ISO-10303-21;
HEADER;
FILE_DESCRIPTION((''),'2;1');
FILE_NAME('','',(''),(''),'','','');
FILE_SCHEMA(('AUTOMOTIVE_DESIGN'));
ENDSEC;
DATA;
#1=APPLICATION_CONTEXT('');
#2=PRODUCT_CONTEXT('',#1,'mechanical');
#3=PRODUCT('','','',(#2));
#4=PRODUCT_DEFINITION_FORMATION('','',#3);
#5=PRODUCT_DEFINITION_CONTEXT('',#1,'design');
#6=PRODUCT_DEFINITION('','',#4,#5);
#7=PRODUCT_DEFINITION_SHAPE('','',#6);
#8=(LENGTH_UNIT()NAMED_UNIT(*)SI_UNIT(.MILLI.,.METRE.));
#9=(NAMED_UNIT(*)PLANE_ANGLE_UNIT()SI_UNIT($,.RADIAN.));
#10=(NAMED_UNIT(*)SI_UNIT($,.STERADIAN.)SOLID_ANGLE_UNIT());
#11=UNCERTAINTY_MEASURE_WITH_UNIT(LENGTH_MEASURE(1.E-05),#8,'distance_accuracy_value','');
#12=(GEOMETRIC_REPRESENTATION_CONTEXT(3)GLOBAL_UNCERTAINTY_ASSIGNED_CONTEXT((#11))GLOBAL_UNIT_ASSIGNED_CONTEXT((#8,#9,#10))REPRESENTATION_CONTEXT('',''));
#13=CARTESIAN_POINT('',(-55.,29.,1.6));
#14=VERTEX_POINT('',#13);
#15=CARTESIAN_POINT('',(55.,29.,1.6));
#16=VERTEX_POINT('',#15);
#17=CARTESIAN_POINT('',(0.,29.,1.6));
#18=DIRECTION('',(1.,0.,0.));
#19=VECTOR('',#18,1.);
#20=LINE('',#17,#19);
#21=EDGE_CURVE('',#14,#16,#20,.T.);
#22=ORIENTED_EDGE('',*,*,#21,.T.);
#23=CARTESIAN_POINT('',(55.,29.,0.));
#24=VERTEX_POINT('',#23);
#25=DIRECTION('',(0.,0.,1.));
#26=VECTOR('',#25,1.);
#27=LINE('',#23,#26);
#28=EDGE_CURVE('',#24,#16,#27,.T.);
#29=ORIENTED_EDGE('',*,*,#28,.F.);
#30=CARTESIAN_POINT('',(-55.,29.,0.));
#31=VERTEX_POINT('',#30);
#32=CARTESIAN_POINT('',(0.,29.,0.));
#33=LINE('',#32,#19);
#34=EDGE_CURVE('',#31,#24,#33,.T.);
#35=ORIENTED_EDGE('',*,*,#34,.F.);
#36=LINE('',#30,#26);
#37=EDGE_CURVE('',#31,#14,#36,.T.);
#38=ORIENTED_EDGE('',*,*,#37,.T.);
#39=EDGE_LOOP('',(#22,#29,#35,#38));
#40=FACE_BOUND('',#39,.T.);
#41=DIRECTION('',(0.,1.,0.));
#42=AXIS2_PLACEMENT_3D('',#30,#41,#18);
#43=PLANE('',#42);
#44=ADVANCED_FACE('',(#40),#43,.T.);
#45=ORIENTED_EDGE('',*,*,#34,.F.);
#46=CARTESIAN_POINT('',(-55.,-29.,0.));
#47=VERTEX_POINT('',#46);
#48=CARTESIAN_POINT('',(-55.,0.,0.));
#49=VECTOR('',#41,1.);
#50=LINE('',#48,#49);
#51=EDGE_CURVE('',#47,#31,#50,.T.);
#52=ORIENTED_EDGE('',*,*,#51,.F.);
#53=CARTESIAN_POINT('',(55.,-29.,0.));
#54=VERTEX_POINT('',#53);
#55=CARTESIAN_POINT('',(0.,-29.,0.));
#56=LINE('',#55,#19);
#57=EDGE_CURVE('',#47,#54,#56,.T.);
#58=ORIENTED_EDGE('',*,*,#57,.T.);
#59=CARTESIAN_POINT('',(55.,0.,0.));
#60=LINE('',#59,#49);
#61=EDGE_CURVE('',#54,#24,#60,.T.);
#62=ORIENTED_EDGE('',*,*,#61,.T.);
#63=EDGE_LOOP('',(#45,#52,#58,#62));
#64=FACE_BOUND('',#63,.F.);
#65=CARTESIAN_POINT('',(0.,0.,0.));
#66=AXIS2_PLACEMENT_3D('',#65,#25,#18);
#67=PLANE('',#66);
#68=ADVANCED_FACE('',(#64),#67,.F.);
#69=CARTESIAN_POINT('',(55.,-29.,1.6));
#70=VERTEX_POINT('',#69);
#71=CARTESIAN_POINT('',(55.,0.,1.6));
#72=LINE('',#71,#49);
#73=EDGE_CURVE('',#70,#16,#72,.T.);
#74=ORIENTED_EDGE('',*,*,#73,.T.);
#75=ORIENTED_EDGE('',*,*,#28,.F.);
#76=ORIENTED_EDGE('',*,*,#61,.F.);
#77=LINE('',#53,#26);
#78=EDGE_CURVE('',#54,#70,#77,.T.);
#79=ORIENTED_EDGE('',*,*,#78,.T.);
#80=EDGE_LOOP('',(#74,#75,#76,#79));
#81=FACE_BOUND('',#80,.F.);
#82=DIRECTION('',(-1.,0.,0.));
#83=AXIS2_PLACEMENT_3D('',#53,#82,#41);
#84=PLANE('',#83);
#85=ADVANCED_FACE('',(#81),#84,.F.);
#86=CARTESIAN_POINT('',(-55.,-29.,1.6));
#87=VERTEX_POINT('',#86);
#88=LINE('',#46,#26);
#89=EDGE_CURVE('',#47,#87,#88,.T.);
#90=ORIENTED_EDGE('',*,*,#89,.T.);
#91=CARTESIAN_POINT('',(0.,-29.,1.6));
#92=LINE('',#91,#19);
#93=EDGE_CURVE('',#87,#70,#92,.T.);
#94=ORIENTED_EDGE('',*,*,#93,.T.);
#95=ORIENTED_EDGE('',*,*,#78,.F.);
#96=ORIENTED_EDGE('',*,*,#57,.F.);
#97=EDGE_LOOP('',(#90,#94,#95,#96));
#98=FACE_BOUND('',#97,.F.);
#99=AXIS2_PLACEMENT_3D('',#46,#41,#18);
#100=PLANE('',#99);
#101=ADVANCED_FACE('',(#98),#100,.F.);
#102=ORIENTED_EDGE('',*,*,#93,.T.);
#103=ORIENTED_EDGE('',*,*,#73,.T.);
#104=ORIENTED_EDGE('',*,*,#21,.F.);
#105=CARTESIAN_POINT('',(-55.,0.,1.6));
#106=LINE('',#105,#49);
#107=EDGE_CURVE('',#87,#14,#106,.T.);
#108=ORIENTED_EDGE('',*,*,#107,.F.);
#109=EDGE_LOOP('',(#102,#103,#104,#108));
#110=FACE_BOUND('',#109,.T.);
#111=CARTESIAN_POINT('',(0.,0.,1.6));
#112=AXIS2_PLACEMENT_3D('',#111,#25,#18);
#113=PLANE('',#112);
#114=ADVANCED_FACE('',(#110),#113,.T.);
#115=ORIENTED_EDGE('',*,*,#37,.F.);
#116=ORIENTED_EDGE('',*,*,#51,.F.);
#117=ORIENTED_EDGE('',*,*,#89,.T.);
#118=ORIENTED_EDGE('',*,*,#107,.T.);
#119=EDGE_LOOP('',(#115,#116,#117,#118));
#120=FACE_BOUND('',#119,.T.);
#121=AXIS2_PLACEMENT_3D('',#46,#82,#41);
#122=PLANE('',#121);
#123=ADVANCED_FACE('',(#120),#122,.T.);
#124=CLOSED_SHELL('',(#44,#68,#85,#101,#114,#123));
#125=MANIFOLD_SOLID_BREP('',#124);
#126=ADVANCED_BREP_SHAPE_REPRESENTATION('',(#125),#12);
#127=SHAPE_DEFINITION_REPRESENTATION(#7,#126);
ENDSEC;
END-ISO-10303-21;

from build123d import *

# Parameters (mm, degrees)
SKETCH_W  = 110
SKETCH_H  = 58
PAD_DEPTH = 1.6


with BuildPart() as part:
    # Sketch → Pad (new body)
    with BuildSketch(Plane.XY):
        Rectangle(SKETCH_W, SKETCH_H)
    extrude(amount=PAD_DEPTH)


solid = part.part
